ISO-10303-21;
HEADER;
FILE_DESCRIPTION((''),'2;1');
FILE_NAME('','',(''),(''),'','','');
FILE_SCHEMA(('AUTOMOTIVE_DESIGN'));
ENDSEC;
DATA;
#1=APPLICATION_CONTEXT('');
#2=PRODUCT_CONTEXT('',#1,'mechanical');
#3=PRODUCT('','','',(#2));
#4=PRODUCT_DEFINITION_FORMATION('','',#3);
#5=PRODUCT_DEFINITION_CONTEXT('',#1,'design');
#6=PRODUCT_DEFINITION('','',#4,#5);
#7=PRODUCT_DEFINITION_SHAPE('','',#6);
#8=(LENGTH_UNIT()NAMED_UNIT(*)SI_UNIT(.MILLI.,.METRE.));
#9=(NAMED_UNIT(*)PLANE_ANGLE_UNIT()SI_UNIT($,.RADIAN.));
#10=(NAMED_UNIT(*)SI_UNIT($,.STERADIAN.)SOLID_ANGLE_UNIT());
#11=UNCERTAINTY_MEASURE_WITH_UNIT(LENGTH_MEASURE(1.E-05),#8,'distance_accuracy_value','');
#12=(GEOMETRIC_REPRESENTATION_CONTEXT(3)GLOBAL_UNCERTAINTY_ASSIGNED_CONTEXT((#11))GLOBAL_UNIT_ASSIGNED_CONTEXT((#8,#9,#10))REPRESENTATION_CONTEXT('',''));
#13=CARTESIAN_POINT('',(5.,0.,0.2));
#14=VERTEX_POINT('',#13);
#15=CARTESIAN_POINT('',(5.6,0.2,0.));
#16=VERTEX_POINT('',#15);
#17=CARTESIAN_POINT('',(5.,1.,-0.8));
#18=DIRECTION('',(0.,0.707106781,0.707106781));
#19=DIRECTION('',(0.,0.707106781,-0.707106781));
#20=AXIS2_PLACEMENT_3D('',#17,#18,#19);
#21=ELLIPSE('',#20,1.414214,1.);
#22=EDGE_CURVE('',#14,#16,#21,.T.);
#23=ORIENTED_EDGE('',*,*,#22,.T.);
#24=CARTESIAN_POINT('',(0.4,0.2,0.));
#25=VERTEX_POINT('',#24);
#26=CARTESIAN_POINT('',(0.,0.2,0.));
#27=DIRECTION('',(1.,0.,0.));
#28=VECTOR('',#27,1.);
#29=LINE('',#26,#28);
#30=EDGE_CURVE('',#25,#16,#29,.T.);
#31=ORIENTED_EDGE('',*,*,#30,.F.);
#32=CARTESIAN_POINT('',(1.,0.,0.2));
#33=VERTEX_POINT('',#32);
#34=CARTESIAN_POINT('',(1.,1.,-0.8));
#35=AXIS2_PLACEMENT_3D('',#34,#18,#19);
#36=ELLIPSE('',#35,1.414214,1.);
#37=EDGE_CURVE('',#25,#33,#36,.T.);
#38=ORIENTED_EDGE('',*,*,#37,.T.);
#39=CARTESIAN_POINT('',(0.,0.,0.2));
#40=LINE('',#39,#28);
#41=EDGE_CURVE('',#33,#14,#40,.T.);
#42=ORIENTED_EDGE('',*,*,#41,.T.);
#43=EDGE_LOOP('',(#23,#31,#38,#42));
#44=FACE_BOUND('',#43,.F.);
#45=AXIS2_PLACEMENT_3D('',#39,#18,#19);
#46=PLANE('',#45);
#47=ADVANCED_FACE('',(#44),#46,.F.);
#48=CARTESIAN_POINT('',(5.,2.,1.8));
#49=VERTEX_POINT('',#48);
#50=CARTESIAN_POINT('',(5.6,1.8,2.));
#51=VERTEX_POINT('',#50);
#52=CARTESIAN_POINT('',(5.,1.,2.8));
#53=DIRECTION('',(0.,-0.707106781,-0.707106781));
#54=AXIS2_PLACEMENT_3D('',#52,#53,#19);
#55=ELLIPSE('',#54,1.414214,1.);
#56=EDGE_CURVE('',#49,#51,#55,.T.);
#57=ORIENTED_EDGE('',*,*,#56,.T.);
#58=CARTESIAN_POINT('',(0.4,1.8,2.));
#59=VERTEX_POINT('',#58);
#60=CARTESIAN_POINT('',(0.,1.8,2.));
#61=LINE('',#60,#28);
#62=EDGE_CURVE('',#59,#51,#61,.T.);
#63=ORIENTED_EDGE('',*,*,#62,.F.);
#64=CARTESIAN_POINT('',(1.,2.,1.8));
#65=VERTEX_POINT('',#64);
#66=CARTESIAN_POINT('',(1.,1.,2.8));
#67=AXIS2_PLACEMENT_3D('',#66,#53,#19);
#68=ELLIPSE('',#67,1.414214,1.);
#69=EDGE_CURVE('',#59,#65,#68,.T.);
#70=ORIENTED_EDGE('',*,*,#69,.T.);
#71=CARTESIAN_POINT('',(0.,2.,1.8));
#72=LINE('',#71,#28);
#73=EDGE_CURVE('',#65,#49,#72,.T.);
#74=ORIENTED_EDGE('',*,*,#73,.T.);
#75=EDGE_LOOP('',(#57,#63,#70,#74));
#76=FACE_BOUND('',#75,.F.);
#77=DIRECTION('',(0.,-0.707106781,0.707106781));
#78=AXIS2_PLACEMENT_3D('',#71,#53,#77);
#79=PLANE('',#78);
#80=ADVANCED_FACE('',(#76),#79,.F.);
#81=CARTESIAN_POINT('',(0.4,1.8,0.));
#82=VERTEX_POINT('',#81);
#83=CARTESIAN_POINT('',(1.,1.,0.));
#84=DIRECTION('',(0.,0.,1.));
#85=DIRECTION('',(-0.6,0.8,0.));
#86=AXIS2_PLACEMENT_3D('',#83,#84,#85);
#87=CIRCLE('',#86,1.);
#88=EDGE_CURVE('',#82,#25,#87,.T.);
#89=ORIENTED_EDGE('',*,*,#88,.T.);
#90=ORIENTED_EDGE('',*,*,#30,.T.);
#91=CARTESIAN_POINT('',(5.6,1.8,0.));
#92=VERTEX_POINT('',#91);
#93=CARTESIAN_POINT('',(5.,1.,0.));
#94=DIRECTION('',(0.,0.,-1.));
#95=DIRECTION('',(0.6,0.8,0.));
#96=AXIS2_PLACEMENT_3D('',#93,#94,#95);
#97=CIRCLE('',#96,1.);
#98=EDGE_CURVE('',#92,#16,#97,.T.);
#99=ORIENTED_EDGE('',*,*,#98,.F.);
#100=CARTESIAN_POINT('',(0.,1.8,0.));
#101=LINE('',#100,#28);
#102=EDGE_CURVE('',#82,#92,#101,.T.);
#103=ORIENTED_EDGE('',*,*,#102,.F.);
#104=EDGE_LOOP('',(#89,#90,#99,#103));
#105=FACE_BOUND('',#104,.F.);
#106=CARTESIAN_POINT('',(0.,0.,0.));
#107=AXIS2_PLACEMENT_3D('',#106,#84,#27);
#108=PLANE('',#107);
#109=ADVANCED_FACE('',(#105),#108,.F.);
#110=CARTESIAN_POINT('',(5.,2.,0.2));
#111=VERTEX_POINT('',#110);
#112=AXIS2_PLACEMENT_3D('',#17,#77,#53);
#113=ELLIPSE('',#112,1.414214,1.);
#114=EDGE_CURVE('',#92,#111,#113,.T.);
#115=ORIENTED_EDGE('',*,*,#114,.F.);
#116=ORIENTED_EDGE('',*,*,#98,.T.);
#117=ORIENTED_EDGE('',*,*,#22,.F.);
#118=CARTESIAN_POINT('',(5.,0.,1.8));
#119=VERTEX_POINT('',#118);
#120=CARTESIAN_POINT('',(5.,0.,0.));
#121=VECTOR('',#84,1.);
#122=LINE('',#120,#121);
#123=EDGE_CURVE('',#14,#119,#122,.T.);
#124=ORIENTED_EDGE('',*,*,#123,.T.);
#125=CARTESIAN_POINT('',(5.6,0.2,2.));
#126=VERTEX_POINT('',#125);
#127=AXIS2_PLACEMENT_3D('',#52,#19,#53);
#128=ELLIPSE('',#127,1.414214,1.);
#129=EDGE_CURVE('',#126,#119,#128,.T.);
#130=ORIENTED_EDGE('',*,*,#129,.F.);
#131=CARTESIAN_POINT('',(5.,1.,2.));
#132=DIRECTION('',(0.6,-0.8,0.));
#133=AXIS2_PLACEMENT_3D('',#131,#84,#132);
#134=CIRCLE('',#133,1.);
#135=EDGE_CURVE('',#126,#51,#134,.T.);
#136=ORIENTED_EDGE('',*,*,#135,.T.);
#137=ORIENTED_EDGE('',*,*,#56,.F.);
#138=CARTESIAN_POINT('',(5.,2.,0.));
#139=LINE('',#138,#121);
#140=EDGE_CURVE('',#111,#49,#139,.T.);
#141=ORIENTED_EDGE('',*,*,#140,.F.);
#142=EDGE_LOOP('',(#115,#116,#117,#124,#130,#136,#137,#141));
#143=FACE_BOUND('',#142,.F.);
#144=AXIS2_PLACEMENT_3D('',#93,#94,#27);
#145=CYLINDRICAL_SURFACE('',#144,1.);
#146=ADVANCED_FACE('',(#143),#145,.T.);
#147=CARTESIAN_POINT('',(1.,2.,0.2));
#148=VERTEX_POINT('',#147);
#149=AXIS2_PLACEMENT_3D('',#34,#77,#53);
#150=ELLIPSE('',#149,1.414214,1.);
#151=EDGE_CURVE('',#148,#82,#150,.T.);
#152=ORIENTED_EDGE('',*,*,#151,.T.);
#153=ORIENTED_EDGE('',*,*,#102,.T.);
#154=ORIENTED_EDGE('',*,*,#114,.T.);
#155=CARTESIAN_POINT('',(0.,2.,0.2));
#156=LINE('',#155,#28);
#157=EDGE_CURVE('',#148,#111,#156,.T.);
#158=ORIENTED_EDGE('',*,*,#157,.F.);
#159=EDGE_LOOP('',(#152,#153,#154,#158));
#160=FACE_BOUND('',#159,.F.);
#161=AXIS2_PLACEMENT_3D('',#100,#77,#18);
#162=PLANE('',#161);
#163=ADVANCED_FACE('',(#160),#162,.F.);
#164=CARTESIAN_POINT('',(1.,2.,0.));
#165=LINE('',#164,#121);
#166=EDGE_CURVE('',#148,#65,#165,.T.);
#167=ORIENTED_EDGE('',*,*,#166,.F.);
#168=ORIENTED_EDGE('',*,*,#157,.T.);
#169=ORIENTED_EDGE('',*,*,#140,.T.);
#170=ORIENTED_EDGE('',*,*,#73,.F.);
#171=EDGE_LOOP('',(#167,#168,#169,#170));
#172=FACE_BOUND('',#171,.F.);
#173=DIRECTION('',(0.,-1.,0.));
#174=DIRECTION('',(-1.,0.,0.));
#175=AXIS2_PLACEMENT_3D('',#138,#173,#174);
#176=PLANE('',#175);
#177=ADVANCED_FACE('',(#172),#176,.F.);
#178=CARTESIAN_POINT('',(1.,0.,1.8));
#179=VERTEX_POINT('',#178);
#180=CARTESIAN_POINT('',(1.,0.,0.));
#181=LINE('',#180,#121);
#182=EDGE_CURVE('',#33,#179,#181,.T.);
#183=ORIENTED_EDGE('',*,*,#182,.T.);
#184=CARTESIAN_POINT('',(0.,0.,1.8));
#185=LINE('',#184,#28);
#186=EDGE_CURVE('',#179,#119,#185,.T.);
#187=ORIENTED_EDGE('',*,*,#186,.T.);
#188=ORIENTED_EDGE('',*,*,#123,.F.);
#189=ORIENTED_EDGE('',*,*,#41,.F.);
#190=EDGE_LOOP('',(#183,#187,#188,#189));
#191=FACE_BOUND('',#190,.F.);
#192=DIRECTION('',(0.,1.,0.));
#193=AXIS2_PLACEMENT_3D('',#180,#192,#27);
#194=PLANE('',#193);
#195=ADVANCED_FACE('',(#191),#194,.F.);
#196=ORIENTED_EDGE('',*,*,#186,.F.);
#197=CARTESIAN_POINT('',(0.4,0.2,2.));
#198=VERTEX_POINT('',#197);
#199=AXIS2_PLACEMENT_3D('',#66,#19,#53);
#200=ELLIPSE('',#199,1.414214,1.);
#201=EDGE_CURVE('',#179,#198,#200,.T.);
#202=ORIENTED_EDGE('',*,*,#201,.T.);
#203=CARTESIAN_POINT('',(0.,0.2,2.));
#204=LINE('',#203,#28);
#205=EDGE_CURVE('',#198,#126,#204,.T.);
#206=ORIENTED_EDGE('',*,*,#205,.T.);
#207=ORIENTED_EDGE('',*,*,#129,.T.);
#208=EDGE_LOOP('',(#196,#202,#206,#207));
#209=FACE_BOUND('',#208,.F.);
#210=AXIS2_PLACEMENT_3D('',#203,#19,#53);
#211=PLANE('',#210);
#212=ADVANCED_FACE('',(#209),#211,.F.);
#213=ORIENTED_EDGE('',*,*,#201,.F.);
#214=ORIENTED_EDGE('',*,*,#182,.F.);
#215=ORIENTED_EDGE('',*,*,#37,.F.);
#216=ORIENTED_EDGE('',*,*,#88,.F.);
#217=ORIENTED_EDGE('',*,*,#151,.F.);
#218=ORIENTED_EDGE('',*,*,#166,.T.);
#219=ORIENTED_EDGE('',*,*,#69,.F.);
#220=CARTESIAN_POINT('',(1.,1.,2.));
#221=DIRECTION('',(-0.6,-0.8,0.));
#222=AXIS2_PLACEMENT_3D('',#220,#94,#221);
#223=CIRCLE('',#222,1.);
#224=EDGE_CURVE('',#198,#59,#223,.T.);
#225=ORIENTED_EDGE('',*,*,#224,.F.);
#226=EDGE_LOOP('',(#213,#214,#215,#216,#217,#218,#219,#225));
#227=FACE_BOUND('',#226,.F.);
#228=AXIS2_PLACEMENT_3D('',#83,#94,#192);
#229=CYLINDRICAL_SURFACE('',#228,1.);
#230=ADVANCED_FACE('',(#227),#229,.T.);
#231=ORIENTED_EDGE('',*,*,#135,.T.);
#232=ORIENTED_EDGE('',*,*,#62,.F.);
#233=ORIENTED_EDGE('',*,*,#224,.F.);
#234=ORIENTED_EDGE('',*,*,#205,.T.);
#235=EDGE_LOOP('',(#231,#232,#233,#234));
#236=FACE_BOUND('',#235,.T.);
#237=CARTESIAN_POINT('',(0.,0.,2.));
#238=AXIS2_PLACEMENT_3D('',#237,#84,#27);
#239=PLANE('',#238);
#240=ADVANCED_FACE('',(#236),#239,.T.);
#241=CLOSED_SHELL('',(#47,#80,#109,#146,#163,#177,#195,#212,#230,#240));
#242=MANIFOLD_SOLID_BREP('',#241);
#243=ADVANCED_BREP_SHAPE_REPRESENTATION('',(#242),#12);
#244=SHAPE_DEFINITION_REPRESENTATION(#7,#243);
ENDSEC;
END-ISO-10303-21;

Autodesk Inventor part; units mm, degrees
ref_plane "YZ Plane" through (0, 0, 0) normal (1, 0, 0) x (0, 1, 0)
ref_plane "XZ Plane" through (0, 0, 0) normal (0, 1, 0) x (-1, 0, 0)
ref_plane "XY Plane" through (0, 0, 0) normal (0, 0, 1) x (1, 0, 0)
sketch "Sketch_7" plane through (0, 0, 0) normal (0, 0, 1) x (1, 0, 0)
  arc A0 (0, 1) -> (1, 0) centre (1, 1) ccw
  line L0 (1, 0) -> (5, 0)
  arc A1 (5, 0) -> (6, 1) centre (5, 1) ccw
  arc A2 (6, 1) -> (5, 2) centre (5, 1) ccw
  line L1 (5, 2) -> (1, 2)
  arc A3 (1, 2) -> (0, 1) centre (1, 1) ccw
extrude "Extrusion1" add sketch "Sketch_7" along normal blind 2
sketch "Sketch_8" plane through (0, 0, 0) normal (1, 0, 0) x (0, 1, 0)
  line L0 (-1, 3) -> (-1, -1)
  line L1 (-1, -1) -> (3, -1)
  line L2 (3, -1) -> (3, 3)
  line L3 (3, 3) -> (-1, 3)
  line L4 (1.8, 2) -> (0.2, 2)
  line L5 (0.2, 2) -> (0, 1.8)
  line L6 (0, 1.8) -> (0, 0.2)
  line L7 (0, 0.2) -> (0.2, 0)
  line L8 (0.2, 0) -> (1.8, 0)
  line L9 (1.8, 0) -> (2, 0.2)
  line L10 (2, 0.2) -> (2, 1.8)
  line L11 (2, 1.8) -> (1.8, 2)
extrude "Extrusion2" cut sketch "Sketch_8" along normal blind 6
properties part number "KESS2-6"
